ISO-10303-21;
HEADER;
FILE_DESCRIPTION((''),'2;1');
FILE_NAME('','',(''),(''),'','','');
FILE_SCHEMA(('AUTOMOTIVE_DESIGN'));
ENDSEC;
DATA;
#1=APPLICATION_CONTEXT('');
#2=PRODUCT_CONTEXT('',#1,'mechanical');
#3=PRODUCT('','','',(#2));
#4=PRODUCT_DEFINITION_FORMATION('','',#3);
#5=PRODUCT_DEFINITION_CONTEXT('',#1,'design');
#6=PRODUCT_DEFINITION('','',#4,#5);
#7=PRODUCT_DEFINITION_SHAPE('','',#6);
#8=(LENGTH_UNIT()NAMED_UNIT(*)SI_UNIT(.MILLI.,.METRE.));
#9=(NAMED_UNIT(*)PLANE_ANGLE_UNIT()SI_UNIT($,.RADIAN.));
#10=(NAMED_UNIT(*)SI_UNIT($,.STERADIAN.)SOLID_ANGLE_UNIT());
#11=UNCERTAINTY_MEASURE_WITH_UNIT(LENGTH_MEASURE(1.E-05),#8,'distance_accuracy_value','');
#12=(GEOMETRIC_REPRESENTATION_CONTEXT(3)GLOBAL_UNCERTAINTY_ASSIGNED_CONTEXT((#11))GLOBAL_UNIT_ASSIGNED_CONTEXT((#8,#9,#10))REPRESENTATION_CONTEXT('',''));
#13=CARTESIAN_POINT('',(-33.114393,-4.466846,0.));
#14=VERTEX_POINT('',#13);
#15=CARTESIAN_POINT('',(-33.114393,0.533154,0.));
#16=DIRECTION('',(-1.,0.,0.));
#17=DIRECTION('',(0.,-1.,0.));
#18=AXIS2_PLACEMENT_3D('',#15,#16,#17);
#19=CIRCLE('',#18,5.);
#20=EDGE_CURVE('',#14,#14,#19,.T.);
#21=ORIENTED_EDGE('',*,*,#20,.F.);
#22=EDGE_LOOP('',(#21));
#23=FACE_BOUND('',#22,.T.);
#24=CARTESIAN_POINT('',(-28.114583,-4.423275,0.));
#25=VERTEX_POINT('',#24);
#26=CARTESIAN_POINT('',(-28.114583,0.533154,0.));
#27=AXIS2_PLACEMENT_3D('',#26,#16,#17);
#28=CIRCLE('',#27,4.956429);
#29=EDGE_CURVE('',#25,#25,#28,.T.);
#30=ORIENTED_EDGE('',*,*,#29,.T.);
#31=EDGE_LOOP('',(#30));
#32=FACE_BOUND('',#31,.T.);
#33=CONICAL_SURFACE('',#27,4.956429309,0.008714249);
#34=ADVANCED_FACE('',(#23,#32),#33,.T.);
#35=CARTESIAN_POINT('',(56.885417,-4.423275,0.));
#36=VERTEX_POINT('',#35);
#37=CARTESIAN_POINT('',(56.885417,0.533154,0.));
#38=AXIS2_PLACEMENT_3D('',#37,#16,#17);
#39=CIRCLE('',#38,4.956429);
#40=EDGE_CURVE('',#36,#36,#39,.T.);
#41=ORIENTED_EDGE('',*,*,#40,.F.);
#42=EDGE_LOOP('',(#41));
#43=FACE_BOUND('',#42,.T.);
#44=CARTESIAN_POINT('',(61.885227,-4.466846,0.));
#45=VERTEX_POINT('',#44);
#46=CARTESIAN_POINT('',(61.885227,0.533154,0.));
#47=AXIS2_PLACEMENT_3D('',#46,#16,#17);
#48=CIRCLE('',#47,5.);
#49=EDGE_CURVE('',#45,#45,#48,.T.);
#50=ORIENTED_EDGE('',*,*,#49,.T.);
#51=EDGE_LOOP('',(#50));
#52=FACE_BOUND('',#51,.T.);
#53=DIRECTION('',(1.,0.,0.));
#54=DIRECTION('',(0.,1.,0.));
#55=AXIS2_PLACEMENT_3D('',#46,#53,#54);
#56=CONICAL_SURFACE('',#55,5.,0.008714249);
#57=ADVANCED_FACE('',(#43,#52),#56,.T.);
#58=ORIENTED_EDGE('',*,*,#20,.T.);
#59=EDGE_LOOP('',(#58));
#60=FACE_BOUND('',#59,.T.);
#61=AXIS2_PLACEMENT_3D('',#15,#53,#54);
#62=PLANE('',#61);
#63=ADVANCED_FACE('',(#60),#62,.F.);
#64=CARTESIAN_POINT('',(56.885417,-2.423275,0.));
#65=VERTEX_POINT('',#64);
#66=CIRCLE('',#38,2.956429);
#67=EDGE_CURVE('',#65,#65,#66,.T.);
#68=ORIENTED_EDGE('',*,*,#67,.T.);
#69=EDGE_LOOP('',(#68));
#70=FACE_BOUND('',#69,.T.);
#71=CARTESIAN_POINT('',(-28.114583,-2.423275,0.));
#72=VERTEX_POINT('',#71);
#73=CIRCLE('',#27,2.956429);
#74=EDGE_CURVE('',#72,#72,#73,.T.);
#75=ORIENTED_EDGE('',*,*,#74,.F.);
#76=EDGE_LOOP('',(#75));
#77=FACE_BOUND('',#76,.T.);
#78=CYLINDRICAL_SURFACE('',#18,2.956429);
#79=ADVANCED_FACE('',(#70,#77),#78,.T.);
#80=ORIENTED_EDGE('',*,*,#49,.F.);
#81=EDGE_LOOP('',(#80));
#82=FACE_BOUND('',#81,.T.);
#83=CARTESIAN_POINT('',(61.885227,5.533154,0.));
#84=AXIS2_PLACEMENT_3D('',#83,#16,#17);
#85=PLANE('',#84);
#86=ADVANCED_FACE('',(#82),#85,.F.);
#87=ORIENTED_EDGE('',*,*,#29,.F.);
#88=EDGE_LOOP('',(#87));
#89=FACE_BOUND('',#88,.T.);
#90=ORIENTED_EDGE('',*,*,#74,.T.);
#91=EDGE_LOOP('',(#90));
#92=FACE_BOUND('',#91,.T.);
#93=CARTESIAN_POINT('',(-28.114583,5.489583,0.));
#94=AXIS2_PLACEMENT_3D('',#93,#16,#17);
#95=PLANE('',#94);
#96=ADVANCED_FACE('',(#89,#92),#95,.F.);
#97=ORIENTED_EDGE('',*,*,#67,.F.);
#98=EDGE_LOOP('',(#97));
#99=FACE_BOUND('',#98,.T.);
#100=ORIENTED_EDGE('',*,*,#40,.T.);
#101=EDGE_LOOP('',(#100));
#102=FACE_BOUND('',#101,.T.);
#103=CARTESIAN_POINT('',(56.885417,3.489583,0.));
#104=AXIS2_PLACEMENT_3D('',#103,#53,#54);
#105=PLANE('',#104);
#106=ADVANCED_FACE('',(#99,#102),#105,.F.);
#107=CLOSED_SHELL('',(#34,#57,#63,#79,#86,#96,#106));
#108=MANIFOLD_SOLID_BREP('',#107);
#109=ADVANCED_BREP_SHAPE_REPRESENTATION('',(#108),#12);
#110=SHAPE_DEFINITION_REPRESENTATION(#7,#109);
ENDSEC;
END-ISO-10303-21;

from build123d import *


with BuildPart() as part:
    # Sketch1 → Revolve1 (revolve)
    with BuildSketch(Plane.XY):
        Polygon((-33.114393489, 0.533154025), (-33.114393489, 5.533154025), (-28.114583333, 5.489583333), (-28.114583333, 3.489583333), (56.885416667, 3.489583333), (56.885416667, 5.489583333), (61.885226823, 5.533154025), (61.885226823, 0.533154025), align=None)
    revolve(axis=Axis((-33.114393489, 0.533154025, 0), (1, 0, 0)))


solid = part.part
